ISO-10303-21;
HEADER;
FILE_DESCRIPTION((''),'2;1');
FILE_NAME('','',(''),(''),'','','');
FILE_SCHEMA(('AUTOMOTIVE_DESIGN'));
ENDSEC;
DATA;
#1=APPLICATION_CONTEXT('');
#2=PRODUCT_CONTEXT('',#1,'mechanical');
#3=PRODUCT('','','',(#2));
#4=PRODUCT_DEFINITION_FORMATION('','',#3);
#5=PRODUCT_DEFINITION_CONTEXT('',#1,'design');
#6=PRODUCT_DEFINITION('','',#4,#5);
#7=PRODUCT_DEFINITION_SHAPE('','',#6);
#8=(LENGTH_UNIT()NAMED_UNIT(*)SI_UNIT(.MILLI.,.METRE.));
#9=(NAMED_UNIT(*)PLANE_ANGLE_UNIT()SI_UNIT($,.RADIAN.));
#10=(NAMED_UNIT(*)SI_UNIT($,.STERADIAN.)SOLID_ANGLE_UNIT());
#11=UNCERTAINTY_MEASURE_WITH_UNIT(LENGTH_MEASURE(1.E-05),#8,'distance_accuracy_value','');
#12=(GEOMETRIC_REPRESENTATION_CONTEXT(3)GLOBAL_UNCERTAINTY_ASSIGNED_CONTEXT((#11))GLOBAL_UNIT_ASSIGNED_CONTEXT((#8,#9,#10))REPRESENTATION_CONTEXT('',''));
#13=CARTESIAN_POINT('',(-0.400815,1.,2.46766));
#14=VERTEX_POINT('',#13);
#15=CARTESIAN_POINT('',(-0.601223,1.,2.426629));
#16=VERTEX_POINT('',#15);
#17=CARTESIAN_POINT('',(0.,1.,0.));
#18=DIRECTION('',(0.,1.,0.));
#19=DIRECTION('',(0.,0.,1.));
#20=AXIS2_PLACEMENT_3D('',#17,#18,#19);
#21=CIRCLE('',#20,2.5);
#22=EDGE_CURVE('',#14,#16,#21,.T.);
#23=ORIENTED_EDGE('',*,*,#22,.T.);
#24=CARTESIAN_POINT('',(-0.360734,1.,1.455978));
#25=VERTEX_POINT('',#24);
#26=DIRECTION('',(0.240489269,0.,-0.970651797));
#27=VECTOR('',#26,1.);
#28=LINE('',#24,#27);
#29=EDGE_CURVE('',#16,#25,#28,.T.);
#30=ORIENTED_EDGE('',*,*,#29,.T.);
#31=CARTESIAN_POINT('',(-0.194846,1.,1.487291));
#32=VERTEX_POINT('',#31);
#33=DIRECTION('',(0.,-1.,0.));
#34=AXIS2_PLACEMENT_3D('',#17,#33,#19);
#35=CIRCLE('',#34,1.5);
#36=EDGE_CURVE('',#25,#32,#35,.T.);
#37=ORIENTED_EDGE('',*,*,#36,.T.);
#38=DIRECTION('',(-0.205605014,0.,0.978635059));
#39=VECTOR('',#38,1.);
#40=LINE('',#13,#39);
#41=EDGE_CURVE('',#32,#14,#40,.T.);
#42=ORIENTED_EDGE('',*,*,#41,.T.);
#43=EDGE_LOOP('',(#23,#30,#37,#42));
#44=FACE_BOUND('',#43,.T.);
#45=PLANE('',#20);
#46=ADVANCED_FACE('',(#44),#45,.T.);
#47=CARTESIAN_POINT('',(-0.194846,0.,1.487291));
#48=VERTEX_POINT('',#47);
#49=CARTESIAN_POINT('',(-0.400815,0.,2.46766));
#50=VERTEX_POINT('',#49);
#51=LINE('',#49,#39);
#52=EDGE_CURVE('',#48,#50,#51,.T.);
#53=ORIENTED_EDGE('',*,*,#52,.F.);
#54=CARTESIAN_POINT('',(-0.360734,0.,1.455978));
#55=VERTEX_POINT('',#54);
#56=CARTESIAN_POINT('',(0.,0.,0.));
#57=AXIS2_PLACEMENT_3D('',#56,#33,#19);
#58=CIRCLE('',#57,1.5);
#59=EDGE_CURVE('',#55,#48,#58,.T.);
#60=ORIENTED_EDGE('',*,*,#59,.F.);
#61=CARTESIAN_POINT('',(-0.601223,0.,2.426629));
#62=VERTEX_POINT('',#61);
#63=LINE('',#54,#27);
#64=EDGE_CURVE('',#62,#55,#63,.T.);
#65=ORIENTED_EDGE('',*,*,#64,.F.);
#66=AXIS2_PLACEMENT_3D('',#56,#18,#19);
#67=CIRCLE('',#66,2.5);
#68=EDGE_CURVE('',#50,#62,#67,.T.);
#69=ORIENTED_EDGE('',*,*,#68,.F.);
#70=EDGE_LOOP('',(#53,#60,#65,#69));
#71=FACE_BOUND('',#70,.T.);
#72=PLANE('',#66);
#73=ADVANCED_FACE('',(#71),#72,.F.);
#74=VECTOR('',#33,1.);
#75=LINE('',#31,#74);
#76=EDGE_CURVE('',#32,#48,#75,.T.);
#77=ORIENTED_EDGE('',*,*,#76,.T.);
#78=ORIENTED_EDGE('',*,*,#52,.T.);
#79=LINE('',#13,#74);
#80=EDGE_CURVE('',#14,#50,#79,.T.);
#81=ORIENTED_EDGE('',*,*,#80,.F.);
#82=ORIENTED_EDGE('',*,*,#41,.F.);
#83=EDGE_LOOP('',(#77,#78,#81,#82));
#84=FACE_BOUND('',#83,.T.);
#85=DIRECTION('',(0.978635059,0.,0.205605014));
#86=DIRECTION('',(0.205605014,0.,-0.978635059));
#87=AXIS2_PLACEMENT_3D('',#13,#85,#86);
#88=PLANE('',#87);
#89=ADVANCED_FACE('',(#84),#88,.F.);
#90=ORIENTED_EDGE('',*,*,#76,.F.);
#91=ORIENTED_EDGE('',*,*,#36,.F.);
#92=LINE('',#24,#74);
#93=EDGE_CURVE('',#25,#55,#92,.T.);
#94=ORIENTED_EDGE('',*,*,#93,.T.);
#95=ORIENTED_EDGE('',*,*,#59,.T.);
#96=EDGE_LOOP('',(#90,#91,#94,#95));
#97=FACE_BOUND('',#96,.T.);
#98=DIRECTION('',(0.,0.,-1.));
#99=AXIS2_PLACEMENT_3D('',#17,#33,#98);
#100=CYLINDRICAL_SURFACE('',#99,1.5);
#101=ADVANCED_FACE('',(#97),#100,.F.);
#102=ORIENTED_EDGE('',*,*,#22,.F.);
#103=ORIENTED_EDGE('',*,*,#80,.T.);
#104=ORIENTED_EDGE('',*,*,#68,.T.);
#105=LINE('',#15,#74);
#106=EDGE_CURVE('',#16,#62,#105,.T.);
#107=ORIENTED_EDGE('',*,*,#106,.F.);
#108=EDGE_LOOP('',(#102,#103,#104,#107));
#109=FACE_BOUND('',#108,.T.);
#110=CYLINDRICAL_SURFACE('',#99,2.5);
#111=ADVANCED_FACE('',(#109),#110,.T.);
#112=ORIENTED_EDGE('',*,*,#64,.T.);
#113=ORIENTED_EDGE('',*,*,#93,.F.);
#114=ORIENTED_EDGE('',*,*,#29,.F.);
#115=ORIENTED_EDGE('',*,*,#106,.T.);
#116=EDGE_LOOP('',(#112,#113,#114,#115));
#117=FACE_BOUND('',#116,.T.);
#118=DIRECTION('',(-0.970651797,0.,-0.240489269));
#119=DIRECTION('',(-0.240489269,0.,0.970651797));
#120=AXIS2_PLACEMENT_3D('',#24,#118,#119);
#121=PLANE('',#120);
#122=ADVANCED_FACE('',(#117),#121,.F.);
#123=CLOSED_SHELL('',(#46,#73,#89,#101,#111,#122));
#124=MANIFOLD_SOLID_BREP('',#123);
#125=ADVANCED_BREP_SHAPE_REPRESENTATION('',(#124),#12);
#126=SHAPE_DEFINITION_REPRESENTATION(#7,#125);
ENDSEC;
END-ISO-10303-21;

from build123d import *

# Parameters (mm, degrees)
EXTRUDE_1_DEPTH = 1


with BuildPart() as part:
    # Эскиз1 → Бобышка-Вытянуть1 (new body)
    with BuildSketch(Plane(origin=(0, 0, 0), x_dir=(1, 0, 0), z_dir=(0, 1, 0))):
        with BuildLine():
            Line((-0.360733904, -1.455977696), (-0.601223173, -2.426629493))
            ThreePointArc((-0.601223173, -2.426629493), (0.501439159, 2.449195535), (-0.400815449, -2.467660223))
            Line((-0.400815449, -2.467660223), (-0.194846131, -1.487291157))
            ThreePointArc((-0.194846131, -1.487291157), (0.278230888, 1.473970004), (-0.360733904, -1.455977696))
        make_face()
    extrude(amount=EXTRUDE_1_DEPTH)


solid = part.part
